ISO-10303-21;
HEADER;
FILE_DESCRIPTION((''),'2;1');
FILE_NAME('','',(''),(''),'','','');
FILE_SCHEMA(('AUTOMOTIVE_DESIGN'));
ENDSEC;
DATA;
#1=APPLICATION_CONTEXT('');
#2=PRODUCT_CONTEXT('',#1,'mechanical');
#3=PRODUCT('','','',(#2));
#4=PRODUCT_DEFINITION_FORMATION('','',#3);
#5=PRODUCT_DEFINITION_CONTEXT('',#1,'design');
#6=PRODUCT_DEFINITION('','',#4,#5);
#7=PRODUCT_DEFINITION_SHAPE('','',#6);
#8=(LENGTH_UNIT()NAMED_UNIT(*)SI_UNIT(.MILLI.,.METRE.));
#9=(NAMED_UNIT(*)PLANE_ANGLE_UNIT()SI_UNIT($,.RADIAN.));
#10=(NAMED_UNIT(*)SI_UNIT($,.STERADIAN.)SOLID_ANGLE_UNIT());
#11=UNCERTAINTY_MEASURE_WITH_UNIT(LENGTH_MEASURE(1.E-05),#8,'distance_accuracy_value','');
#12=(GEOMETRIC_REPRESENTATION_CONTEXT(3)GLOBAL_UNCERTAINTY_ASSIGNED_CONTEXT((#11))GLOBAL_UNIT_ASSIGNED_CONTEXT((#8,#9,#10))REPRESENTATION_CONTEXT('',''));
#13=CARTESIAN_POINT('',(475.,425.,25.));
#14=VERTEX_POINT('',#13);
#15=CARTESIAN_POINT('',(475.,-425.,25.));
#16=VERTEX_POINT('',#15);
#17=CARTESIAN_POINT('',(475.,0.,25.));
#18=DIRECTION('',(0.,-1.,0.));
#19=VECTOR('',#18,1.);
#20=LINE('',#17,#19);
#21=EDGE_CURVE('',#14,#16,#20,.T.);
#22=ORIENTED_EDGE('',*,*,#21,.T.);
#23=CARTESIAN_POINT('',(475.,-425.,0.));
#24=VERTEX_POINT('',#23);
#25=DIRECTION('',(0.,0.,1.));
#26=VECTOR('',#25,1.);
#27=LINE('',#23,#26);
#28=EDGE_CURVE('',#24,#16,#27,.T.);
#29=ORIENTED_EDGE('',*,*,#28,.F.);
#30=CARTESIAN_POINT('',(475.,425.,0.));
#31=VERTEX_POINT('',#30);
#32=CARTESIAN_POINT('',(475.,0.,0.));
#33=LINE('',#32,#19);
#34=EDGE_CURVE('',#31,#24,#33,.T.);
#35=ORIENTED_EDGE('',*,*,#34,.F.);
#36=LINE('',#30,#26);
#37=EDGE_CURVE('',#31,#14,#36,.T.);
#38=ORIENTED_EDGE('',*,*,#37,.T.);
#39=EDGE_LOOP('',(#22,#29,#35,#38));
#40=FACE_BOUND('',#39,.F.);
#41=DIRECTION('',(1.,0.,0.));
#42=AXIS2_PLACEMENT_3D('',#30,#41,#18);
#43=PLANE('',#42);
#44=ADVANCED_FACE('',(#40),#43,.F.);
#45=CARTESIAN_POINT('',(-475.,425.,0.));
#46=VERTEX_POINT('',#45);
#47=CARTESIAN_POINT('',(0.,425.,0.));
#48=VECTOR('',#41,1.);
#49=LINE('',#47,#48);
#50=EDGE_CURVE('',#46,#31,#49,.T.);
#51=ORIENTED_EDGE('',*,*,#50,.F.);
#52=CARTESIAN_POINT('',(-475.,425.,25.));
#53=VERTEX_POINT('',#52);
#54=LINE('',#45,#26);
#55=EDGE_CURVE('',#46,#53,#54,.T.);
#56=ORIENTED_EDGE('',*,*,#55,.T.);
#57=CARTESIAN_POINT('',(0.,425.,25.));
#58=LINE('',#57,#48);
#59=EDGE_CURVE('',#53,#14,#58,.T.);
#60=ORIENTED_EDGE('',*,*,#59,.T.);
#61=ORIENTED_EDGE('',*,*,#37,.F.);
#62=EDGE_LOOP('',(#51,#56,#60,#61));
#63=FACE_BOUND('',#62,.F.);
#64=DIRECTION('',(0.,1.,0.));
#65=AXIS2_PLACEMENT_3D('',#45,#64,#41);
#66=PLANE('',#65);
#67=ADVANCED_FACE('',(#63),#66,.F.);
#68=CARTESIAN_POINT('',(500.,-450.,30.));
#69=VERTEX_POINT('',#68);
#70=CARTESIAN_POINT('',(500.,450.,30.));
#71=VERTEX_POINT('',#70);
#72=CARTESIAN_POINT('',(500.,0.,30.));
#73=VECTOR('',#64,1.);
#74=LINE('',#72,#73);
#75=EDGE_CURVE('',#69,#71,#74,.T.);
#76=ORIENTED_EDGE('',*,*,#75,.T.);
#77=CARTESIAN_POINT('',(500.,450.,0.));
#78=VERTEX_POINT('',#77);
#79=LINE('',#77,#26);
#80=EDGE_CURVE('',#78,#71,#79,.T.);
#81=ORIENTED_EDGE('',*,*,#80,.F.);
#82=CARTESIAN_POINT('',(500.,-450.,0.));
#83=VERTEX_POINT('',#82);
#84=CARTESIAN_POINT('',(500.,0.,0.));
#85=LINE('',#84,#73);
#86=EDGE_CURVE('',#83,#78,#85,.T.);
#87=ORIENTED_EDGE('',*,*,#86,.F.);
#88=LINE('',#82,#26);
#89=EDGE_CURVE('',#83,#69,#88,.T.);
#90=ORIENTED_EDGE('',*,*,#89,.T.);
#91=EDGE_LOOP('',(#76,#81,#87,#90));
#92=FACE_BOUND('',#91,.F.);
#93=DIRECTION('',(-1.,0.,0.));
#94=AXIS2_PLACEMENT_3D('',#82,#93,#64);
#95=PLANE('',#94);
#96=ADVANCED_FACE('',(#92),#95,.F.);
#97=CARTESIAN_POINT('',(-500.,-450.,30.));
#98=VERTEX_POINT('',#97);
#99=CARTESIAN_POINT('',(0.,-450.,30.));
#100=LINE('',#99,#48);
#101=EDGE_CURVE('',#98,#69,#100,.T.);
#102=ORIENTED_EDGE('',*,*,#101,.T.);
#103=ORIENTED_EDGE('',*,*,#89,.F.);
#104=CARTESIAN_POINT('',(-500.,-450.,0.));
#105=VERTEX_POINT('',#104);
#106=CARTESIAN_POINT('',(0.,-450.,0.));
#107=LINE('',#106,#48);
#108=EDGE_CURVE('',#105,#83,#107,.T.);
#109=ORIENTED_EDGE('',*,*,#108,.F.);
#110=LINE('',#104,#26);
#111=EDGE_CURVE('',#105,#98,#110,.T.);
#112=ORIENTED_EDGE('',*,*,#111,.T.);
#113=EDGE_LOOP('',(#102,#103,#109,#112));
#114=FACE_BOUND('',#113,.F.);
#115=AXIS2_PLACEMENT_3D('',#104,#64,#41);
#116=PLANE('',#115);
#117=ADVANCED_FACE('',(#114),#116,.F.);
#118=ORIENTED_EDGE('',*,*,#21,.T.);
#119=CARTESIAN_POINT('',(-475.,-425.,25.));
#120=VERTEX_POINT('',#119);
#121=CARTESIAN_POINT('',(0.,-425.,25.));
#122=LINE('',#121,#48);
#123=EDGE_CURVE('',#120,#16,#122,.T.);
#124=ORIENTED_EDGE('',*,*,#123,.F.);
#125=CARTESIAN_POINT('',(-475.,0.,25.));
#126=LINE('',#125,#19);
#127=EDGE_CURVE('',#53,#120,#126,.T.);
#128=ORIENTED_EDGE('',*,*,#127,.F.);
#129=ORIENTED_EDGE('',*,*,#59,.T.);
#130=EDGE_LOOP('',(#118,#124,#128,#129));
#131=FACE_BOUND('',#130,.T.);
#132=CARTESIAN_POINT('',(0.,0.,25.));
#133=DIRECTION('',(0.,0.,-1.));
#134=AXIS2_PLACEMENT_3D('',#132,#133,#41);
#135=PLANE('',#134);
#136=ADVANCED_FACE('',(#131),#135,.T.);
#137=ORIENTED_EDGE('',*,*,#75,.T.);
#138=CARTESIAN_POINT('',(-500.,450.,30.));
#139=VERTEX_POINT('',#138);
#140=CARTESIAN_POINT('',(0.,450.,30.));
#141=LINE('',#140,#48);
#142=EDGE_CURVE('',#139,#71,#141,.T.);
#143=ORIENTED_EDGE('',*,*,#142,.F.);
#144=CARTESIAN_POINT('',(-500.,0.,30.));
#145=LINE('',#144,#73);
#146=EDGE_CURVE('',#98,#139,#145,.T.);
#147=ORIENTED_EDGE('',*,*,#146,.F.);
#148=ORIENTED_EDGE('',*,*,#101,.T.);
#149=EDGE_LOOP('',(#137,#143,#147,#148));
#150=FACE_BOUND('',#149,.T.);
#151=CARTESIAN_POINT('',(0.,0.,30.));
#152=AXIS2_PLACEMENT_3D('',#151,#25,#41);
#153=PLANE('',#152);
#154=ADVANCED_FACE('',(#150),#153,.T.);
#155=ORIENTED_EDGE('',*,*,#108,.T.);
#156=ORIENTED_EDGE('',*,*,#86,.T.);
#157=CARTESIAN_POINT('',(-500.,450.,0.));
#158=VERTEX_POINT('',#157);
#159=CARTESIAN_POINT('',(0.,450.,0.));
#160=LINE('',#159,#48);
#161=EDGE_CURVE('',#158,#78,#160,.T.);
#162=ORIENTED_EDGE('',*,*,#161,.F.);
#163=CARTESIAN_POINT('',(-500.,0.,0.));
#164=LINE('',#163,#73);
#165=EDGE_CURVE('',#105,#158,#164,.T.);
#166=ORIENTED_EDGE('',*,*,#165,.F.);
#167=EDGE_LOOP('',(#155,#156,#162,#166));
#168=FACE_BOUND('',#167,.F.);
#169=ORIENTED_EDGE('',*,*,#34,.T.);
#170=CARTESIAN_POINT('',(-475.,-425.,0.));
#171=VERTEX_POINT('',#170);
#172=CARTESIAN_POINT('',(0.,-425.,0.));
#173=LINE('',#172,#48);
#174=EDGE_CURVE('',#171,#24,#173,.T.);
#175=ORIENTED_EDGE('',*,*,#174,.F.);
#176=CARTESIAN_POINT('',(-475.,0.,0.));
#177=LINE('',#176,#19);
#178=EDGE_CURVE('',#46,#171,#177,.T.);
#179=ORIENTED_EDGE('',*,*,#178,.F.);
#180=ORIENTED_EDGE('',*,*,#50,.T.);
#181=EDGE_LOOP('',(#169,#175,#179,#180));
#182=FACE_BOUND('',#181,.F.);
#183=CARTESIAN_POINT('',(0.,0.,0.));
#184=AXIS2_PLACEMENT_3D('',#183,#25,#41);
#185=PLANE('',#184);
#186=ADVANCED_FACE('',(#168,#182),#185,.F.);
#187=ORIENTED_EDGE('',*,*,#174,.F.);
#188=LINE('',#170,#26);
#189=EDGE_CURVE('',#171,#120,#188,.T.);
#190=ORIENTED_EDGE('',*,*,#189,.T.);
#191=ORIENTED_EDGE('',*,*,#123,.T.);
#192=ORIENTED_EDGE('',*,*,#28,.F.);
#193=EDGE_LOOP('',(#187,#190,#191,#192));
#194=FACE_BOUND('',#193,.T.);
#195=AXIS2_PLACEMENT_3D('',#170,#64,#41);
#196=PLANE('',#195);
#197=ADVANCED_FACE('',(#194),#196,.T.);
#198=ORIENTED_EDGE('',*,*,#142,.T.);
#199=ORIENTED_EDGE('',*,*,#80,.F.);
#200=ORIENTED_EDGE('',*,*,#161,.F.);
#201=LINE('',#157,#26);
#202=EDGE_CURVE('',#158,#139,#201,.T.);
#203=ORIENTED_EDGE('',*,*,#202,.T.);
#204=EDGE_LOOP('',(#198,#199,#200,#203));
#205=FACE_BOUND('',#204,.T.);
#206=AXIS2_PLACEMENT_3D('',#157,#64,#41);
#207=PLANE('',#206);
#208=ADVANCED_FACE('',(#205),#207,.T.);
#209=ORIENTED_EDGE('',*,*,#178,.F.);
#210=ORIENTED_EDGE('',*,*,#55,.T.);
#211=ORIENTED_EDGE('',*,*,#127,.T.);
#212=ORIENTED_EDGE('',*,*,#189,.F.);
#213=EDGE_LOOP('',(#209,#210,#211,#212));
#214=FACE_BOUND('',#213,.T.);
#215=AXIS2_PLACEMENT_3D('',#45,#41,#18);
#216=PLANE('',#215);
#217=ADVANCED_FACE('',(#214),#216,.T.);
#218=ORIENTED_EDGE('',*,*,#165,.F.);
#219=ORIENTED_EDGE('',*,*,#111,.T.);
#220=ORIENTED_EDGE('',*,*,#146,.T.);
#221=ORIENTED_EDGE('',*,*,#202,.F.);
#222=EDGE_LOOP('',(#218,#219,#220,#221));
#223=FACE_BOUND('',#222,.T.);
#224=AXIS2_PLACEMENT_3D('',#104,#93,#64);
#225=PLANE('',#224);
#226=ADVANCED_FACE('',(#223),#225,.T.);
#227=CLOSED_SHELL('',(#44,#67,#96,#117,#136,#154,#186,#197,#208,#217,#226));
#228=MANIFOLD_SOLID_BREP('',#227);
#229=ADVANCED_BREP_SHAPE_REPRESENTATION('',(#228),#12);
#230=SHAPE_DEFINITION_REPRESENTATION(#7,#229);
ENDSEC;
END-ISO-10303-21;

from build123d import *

# Parameters (mm, degrees)
F0_W     = 1000
F0_H     = 900
F1_DEPTH = 30
F2_W     = 950
F2_H     = 850
F3_DEPTH = 25


with BuildPart() as f1:
    # F0 (on Top) → F1 (new body)
    with BuildSketch(Plane.XY):
        Rectangle(F0_W, F0_H)
    extrude(amount=F1_DEPTH)

    # F2 (on face) → F3 (cut)
    with BuildSketch(Plane(origin=(0, 0, 0), x_dir=(1, 0, 0), z_dir=(0, 0, -1))):
        Rectangle(F2_W, F2_H)
    extrude(amount=-F3_DEPTH, mode=Mode.SUBTRACT)


solid = f1.part
